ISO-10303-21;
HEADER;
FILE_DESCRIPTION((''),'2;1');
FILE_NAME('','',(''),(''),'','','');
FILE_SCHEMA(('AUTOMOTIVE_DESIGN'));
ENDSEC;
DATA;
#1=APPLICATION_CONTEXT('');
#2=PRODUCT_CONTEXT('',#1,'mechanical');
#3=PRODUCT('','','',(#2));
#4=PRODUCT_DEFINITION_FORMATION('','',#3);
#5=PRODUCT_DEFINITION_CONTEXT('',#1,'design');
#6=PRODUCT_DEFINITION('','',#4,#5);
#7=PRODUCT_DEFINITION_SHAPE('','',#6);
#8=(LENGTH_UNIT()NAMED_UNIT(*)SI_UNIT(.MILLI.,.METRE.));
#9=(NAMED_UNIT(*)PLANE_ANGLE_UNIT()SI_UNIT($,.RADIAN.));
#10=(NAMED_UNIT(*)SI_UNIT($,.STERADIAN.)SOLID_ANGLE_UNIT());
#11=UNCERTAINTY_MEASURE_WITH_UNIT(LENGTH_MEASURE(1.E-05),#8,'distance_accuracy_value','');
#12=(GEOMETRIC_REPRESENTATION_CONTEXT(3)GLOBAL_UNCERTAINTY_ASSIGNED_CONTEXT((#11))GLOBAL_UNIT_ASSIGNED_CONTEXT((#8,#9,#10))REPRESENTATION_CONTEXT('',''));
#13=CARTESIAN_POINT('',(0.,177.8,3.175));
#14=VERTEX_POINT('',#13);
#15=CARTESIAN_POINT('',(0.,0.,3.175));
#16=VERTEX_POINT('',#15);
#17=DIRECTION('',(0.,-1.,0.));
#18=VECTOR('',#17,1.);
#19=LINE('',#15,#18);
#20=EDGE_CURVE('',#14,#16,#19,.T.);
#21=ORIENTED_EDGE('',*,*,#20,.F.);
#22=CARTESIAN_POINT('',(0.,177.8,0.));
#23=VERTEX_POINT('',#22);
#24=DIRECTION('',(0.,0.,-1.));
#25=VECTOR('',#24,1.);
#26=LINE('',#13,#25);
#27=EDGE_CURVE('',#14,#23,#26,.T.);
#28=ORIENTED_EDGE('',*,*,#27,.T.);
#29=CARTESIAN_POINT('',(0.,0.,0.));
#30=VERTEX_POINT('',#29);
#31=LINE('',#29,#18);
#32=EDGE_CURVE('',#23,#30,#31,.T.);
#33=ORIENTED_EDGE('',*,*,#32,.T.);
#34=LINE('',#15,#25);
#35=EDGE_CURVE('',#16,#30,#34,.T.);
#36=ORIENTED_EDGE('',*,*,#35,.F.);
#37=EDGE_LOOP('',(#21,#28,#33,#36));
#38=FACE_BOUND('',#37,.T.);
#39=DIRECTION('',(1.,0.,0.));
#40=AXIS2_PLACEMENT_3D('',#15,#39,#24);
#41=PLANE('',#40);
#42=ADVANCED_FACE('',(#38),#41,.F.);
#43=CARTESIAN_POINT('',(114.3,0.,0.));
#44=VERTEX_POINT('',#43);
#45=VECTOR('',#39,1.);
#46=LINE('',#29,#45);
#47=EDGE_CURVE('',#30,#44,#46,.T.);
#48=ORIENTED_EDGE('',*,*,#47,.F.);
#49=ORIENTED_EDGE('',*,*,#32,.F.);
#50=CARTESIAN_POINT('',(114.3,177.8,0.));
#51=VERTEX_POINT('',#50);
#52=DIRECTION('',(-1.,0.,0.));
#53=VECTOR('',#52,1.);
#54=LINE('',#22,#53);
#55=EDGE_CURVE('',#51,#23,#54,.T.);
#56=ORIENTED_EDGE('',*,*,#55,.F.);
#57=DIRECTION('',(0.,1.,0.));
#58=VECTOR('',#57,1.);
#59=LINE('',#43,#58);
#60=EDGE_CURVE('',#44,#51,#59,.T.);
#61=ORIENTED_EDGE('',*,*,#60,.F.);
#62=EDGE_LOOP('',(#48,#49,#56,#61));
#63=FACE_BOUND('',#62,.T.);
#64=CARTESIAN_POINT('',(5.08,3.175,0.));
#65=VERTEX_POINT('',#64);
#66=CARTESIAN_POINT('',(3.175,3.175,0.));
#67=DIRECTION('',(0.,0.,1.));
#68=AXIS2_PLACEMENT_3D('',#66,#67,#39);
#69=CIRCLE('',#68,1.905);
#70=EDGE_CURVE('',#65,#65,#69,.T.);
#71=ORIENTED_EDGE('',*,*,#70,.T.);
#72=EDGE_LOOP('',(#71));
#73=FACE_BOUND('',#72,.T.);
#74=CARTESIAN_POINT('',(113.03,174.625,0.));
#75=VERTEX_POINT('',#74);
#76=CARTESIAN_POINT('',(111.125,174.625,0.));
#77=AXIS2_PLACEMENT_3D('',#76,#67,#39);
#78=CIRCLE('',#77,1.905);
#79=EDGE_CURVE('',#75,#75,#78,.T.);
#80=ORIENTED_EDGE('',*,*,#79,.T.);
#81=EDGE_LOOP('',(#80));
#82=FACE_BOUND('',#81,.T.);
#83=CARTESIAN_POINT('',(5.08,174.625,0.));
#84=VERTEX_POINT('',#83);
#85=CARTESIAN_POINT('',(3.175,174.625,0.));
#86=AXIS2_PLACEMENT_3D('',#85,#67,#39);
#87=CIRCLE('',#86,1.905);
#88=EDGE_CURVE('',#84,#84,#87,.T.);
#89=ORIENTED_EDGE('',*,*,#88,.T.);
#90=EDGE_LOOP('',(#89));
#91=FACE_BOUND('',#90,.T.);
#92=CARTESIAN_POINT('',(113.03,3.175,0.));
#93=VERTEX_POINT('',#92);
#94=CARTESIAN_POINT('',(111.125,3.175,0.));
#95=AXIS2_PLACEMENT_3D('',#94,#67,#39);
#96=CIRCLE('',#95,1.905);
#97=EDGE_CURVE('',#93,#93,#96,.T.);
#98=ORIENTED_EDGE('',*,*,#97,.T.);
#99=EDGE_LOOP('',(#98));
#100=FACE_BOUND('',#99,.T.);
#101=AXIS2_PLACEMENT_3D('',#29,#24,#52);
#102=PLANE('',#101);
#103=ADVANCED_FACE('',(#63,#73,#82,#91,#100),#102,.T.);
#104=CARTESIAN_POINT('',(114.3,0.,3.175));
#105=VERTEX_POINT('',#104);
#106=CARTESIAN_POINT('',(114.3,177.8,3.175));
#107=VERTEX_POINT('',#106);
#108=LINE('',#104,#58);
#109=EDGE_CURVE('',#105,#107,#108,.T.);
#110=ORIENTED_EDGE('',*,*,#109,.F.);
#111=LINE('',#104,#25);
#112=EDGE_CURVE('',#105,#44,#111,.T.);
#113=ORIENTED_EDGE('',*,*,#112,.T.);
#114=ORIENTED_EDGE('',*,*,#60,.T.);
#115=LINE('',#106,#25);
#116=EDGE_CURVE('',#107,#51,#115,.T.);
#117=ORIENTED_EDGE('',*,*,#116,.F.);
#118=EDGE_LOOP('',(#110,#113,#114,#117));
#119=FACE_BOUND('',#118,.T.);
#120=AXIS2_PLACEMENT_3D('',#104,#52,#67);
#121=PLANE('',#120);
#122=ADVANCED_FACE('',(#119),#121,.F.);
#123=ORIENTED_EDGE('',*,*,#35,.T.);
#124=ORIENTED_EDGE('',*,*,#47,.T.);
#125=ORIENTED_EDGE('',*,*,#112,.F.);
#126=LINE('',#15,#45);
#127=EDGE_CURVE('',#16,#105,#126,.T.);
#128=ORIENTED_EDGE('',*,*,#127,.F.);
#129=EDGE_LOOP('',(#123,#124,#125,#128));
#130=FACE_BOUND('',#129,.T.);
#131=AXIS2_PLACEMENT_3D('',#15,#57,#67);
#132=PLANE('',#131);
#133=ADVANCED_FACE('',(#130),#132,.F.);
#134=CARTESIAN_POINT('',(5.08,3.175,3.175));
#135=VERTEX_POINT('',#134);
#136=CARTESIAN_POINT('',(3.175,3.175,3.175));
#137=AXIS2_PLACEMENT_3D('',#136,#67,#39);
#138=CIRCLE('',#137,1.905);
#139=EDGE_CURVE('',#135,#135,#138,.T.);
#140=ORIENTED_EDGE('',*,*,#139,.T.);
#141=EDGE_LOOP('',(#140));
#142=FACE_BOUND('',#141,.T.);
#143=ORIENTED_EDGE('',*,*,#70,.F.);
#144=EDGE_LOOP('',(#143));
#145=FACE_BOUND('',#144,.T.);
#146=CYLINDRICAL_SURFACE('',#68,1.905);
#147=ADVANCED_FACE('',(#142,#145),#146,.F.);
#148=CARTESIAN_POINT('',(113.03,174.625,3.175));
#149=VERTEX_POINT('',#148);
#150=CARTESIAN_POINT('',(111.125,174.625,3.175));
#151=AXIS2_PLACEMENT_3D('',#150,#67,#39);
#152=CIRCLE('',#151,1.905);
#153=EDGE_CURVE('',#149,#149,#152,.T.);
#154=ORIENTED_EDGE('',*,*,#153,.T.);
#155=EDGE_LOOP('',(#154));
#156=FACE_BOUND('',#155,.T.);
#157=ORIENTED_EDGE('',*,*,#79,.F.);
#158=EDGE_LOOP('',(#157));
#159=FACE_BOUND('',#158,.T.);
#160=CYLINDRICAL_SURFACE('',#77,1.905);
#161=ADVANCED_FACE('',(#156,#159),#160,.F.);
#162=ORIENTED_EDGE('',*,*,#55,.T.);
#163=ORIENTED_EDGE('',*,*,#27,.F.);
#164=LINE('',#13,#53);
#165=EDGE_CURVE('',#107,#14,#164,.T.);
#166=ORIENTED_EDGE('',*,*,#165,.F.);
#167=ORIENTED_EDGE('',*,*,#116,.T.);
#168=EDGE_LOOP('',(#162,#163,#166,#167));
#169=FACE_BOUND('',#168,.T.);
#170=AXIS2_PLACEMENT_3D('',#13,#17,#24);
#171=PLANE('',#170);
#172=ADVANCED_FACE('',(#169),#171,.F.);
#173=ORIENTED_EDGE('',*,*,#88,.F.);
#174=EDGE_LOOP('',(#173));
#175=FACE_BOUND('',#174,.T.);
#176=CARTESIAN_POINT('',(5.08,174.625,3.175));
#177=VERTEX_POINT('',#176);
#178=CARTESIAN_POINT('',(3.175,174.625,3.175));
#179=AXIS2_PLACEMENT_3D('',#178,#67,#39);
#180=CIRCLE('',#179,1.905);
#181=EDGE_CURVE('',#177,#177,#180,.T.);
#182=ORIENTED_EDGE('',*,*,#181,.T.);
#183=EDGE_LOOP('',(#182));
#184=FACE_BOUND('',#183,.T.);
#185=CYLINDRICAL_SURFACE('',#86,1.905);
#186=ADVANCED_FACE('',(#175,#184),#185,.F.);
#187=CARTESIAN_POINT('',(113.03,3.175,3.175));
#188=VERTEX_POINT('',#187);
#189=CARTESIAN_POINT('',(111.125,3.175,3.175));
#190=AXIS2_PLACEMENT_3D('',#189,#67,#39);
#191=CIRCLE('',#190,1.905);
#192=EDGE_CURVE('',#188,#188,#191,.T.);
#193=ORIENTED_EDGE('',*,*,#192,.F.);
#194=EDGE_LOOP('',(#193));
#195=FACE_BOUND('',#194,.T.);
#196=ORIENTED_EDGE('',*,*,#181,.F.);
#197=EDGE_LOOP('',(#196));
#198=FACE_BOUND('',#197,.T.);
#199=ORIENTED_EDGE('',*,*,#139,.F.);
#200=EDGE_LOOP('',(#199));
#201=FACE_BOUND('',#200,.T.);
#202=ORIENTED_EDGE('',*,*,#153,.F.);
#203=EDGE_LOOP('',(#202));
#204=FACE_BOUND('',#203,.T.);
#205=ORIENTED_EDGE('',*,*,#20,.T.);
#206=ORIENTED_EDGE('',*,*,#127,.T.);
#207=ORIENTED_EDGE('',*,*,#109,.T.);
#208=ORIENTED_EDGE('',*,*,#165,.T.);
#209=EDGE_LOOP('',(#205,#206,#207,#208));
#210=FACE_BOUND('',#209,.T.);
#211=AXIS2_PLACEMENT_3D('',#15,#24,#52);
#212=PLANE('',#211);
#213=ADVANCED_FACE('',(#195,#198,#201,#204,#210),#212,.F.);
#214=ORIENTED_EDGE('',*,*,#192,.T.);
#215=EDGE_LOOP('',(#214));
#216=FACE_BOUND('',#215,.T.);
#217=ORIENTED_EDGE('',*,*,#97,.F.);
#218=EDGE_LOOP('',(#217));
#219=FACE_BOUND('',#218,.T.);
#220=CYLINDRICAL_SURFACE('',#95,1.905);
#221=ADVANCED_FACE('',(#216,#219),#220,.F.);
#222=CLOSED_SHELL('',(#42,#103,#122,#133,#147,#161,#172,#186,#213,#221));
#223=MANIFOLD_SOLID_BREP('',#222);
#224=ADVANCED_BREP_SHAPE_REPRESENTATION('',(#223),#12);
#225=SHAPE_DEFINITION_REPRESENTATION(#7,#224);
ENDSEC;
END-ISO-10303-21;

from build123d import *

# Parameters (mm, degrees)
SKETCH1_W           = 114.3
SKETCH1_H           = 177.8
BOSS_EXTRUDE1_DEPTH = 3.175
SKETCH2_R           = 1.905
CUT_EXTRUDE1_DEPTH  = 212.393970172


with BuildPart() as part:
    # Sketch1 → Boss-Extrude1 (new body)
    with BuildSketch(Plane.XY):
        with Locations((57.15, 88.9)):
            Rectangle(SKETCH1_W, SKETCH1_H)
    extrude(amount=BOSS_EXTRUDE1_DEPTH)

    # Sketch2 → Cut-Extrude1 (cut, through all)
    with BuildSketch(Plane.XY.offset(3.175)):
        with Locations((3.175, 174.625)):
            Circle(SKETCH2_R)
        with Locations((111.125, 174.625)):
            Circle(SKETCH2_R)
        with Locations((111.125, 3.175)):
            Circle(SKETCH2_R)
        with Locations((3.175, 3.175)):
            Circle(SKETCH2_R)
    extrude(amount=-CUT_EXTRUDE1_DEPTH, mode=Mode.SUBTRACT)


solid = part.part
